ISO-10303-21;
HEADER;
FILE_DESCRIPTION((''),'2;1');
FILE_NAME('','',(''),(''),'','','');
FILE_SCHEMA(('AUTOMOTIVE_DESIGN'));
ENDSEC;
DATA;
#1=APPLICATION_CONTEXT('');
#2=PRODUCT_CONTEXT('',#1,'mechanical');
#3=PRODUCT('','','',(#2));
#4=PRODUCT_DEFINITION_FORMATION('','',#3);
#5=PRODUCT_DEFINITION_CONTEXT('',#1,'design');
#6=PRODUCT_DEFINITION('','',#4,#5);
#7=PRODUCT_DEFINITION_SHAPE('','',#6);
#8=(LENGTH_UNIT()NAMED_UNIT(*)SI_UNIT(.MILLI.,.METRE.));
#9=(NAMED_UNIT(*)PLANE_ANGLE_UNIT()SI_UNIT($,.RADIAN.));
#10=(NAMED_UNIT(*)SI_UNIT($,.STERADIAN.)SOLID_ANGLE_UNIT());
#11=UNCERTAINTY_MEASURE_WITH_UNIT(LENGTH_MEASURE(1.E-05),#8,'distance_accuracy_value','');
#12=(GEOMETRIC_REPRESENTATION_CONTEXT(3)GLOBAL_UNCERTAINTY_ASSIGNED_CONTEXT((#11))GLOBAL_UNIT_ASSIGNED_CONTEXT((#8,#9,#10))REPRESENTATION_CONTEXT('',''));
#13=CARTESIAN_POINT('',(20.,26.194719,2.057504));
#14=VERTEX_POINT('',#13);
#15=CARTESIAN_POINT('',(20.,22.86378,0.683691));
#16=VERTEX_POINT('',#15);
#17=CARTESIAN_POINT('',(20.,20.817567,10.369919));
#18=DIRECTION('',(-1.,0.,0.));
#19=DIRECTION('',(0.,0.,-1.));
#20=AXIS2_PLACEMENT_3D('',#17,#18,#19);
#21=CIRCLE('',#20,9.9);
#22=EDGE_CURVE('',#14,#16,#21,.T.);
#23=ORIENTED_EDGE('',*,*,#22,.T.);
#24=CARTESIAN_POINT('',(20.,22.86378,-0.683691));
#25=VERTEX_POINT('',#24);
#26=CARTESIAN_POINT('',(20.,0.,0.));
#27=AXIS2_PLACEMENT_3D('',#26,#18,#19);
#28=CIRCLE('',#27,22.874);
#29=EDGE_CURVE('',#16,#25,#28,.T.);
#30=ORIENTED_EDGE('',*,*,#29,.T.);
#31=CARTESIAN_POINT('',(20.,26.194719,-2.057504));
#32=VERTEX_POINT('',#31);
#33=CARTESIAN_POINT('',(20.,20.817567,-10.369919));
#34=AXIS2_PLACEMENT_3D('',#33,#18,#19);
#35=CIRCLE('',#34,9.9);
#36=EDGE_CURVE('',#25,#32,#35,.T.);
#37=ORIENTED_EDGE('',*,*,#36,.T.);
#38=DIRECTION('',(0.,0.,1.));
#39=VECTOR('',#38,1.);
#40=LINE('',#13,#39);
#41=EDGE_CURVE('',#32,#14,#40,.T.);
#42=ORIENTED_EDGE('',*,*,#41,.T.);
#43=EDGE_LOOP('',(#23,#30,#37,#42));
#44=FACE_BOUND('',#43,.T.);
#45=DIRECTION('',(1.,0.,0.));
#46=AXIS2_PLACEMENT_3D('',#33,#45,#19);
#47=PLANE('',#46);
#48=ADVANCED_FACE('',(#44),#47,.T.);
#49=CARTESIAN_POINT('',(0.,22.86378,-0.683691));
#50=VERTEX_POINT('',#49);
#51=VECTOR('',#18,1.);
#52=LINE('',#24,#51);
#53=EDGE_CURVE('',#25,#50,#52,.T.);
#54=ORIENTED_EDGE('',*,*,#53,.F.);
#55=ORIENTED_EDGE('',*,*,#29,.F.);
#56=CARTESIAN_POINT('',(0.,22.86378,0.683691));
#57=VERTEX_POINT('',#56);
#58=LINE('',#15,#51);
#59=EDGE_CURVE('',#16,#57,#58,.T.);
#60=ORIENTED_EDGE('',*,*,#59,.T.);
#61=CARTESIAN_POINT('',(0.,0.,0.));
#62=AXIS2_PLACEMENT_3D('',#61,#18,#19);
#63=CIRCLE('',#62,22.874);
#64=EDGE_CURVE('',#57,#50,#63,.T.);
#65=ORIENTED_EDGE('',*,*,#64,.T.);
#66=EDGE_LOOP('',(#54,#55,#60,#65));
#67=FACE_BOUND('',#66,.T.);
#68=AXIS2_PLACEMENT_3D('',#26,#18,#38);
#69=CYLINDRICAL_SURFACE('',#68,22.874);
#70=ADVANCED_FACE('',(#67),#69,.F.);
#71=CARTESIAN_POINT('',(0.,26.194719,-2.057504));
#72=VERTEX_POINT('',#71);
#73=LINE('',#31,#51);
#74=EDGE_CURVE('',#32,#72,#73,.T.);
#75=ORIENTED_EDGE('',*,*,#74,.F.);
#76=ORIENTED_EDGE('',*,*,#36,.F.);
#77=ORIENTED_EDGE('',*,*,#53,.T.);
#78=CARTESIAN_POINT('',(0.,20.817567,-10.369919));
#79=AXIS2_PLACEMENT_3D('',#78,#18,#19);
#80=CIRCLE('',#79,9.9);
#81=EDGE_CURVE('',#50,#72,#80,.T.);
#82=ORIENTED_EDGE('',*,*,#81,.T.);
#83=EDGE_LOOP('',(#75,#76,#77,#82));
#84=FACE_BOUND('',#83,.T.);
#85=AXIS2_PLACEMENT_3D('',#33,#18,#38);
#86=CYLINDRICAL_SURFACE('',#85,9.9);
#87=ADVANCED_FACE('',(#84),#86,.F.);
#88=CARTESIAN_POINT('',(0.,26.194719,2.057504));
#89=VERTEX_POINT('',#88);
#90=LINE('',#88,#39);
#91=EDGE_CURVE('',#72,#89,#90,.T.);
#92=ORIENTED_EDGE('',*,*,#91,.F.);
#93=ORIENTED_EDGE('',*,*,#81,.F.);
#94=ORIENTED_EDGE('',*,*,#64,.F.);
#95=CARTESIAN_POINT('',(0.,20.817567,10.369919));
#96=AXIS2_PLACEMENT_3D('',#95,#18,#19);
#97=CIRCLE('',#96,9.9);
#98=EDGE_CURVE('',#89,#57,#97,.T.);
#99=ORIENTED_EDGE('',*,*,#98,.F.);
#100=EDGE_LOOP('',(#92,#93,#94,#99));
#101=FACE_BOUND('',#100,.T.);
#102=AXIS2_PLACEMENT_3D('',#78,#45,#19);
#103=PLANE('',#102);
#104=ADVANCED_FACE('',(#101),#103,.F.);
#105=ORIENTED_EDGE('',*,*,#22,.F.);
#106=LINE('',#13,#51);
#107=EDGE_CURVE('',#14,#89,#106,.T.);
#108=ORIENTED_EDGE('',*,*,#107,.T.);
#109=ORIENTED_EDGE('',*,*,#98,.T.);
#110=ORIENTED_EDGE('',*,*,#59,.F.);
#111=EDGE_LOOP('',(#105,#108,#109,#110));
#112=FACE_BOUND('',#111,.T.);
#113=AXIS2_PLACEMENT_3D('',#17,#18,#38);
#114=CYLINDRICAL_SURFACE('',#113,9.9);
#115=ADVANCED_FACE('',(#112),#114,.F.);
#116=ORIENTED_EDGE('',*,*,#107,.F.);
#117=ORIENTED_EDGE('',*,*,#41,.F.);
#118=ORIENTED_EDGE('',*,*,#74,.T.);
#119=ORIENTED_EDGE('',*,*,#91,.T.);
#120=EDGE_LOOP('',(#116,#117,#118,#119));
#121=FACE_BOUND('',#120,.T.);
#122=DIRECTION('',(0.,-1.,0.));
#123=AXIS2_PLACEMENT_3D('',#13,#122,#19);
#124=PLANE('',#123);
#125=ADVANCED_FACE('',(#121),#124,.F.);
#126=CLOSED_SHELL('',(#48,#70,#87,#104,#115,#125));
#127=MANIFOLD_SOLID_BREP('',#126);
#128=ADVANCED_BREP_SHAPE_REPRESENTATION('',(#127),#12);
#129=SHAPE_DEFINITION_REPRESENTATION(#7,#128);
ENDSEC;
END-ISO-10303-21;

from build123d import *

# Parameters (mm, degrees)
BASPROSKE_W     = 20
BASPROSKE_H     = 26.25
TOOTHCUT_DEPTH  = 43.167819484
TEETHCUTS_COUNT = 33
TEETHCUTS_ANGLE = 349.090909091
BORSKE_R        = 15
BORE_DEPTH      = 50.0000508
KEYSKE_W        = 10
KEYSKE_H        = 18.3
KEYWAY_DEPTH    = 50.0000508
EXTRUDE_START   = 1
SKETCH_1_R      = 28
EXTRUDE_2_DEPTH = 1
SKETCH_2_R      = 28
EXTRUDE_3_DEPTH = 1
EXTRUDE_4_DEPTH = 10


with BuildPart() as part:
    # BasProSke → Base-Revolve (revolve)
    with BuildSketch(Plane(origin=(0, 0, 0), x_dir=(1, 0, 0), z_dir=(0, 1, 0)), mode=Mode.PRIVATE) as base_revolve_sk:
        with Locations((10, 13.125)):
            Rectangle(BASPROSKE_W, BASPROSKE_H)
    revolve(base_revolve_sk.sketch.rotate(Axis((-10, 0, 0), (1, 0, 0)), 180), axis=Axis((-10, 0, 0), (1, 0, 0)))

    # TooCutSke → ToothCut (cut, through all)
    with BuildSketch(Plane(origin=(0, 0, 0), x_dir=(0, 0, -1), z_dir=(1, 0, 0))):
        with BuildLine():
            ThreePointArc((0.683690741, 22.863780155), (0, 22.874), (-0.683690741, 22.863780155))
            ThreePointArc((-0.683690741, 22.863780155), (-1.217783987, 24.592276227), (-2.057504394, 26.194719331))
            ThreePointArc((-2.057504394, 26.194719331), (0, 26.2754), (2.057504394, 26.194719331))
            ThreePointArc((2.057504394, 26.194719331), (1.217783987, 24.592276227), (0.683690741, 22.863780155))
        make_face()
    toothcut = extrude(amount=TOOTHCUT_DEPTH, mode=Mode.SUBTRACT)

    # TeethCuts: ToothCut ×33 about axis
    teethcuts_axis = Axis((-10, 0, 0), (1, 0, 0))
    for i in range(1, TEETHCUTS_COUNT):
        add(toothcut.rotate(teethcuts_axis, i * TEETHCUTS_ANGLE / (TEETHCUTS_COUNT - 1)), mode=Mode.SUBTRACT)

    # BorSke → Bore (cut, symmetric)
    with BuildSketch(Plane(origin=(0, 0, 0), x_dir=(0, 0, -1), z_dir=(1, 0, 0))):
        with Locations(Location((0, 0, 0), (0, 0, 180))):
            Circle(BORSKE_R)
    extrude(amount=BORE_DEPTH, both=True, mode=Mode.SUBTRACT)

    # KeySke → Keyway (cut, symmetric)
    with BuildSketch(Plane(origin=(0, 0, 0), x_dir=(0, 0, -1), z_dir=(1, 0, 0))):
        with Locations((0, 9.15)):
            Rectangle(KEYSKE_W, KEYSKE_H)
    extrude(amount=KEYWAY_DEPTH, both=True, mode=Mode.SUBTRACT)

    # Эскиз1 → Бобышка-Вытянуть2 (add)
    with BuildSketch(Plane(origin=(20, 0, 0), x_dir=(0, 0, -1), z_dir=(1, 0, 0)).offset(EXTRUDE_START)):
        Circle(SKETCH_1_R)
        with BuildLine():
            Line((5, 18.3), (-5, 18.3))
            Line((-5, 18.3), (-5, 14.142135624))
            ThreePointArc((-5, 14.142135624), (0, -15), (5, 14.142135624))
            Line((5, 14.142135624), (5, 18.3))
        make_face(mode=Mode.SUBTRACT)
    extrude(amount=-EXTRUDE_2_DEPTH)

    # Эскиз2 → Бобышка-Вытянуть3 (add)
    with BuildSketch(Plane.ZY):
        with Locations(Location((0, 0, 0), (0, 0, 180))):
            Circle(SKETCH_2_R)
        with BuildLine():
            Line((-5, 18.3), (-5, 14.142135624))
            ThreePointArc((-5, 14.142135624), (0, -15), (5, 14.142135624))
            Line((5, 14.142135624), (5, 18.3))
            Line((5, 18.3), (-5, 18.3))
        make_face(mode=Mode.SUBTRACT)
    extrude(amount=EXTRUDE_3_DEPTH)


with BuildPart() as body_2:
    # Эскиз4 → Бобышка-Вытянуть4 (new, symmetric)
    with BuildSketch(Plane(origin=(10, 0, 0), x_dir=(0, 0, -1), z_dir=(1, 0, 0))):
        with BuildLine():
            Line((-2.057504394, 26.194719331), (2.057504394, 26.194719331))
            ThreePointArc((2.057504394, 26.194719331), (1.217783987, 24.592276227), (0.683690741, 22.863780155))
            ThreePointArc((0.683690741, 22.863780155), (0, 22.874), (-0.683690741, 22.863780155))
            ThreePointArc((-0.683690741, 22.863780155), (-1.217783987, 24.592276227), (-2.057504394, 26.194719331))
        make_face()
    extrude(amount=EXTRUDE_4_DEPTH, both=True)


solid = body_2.part
